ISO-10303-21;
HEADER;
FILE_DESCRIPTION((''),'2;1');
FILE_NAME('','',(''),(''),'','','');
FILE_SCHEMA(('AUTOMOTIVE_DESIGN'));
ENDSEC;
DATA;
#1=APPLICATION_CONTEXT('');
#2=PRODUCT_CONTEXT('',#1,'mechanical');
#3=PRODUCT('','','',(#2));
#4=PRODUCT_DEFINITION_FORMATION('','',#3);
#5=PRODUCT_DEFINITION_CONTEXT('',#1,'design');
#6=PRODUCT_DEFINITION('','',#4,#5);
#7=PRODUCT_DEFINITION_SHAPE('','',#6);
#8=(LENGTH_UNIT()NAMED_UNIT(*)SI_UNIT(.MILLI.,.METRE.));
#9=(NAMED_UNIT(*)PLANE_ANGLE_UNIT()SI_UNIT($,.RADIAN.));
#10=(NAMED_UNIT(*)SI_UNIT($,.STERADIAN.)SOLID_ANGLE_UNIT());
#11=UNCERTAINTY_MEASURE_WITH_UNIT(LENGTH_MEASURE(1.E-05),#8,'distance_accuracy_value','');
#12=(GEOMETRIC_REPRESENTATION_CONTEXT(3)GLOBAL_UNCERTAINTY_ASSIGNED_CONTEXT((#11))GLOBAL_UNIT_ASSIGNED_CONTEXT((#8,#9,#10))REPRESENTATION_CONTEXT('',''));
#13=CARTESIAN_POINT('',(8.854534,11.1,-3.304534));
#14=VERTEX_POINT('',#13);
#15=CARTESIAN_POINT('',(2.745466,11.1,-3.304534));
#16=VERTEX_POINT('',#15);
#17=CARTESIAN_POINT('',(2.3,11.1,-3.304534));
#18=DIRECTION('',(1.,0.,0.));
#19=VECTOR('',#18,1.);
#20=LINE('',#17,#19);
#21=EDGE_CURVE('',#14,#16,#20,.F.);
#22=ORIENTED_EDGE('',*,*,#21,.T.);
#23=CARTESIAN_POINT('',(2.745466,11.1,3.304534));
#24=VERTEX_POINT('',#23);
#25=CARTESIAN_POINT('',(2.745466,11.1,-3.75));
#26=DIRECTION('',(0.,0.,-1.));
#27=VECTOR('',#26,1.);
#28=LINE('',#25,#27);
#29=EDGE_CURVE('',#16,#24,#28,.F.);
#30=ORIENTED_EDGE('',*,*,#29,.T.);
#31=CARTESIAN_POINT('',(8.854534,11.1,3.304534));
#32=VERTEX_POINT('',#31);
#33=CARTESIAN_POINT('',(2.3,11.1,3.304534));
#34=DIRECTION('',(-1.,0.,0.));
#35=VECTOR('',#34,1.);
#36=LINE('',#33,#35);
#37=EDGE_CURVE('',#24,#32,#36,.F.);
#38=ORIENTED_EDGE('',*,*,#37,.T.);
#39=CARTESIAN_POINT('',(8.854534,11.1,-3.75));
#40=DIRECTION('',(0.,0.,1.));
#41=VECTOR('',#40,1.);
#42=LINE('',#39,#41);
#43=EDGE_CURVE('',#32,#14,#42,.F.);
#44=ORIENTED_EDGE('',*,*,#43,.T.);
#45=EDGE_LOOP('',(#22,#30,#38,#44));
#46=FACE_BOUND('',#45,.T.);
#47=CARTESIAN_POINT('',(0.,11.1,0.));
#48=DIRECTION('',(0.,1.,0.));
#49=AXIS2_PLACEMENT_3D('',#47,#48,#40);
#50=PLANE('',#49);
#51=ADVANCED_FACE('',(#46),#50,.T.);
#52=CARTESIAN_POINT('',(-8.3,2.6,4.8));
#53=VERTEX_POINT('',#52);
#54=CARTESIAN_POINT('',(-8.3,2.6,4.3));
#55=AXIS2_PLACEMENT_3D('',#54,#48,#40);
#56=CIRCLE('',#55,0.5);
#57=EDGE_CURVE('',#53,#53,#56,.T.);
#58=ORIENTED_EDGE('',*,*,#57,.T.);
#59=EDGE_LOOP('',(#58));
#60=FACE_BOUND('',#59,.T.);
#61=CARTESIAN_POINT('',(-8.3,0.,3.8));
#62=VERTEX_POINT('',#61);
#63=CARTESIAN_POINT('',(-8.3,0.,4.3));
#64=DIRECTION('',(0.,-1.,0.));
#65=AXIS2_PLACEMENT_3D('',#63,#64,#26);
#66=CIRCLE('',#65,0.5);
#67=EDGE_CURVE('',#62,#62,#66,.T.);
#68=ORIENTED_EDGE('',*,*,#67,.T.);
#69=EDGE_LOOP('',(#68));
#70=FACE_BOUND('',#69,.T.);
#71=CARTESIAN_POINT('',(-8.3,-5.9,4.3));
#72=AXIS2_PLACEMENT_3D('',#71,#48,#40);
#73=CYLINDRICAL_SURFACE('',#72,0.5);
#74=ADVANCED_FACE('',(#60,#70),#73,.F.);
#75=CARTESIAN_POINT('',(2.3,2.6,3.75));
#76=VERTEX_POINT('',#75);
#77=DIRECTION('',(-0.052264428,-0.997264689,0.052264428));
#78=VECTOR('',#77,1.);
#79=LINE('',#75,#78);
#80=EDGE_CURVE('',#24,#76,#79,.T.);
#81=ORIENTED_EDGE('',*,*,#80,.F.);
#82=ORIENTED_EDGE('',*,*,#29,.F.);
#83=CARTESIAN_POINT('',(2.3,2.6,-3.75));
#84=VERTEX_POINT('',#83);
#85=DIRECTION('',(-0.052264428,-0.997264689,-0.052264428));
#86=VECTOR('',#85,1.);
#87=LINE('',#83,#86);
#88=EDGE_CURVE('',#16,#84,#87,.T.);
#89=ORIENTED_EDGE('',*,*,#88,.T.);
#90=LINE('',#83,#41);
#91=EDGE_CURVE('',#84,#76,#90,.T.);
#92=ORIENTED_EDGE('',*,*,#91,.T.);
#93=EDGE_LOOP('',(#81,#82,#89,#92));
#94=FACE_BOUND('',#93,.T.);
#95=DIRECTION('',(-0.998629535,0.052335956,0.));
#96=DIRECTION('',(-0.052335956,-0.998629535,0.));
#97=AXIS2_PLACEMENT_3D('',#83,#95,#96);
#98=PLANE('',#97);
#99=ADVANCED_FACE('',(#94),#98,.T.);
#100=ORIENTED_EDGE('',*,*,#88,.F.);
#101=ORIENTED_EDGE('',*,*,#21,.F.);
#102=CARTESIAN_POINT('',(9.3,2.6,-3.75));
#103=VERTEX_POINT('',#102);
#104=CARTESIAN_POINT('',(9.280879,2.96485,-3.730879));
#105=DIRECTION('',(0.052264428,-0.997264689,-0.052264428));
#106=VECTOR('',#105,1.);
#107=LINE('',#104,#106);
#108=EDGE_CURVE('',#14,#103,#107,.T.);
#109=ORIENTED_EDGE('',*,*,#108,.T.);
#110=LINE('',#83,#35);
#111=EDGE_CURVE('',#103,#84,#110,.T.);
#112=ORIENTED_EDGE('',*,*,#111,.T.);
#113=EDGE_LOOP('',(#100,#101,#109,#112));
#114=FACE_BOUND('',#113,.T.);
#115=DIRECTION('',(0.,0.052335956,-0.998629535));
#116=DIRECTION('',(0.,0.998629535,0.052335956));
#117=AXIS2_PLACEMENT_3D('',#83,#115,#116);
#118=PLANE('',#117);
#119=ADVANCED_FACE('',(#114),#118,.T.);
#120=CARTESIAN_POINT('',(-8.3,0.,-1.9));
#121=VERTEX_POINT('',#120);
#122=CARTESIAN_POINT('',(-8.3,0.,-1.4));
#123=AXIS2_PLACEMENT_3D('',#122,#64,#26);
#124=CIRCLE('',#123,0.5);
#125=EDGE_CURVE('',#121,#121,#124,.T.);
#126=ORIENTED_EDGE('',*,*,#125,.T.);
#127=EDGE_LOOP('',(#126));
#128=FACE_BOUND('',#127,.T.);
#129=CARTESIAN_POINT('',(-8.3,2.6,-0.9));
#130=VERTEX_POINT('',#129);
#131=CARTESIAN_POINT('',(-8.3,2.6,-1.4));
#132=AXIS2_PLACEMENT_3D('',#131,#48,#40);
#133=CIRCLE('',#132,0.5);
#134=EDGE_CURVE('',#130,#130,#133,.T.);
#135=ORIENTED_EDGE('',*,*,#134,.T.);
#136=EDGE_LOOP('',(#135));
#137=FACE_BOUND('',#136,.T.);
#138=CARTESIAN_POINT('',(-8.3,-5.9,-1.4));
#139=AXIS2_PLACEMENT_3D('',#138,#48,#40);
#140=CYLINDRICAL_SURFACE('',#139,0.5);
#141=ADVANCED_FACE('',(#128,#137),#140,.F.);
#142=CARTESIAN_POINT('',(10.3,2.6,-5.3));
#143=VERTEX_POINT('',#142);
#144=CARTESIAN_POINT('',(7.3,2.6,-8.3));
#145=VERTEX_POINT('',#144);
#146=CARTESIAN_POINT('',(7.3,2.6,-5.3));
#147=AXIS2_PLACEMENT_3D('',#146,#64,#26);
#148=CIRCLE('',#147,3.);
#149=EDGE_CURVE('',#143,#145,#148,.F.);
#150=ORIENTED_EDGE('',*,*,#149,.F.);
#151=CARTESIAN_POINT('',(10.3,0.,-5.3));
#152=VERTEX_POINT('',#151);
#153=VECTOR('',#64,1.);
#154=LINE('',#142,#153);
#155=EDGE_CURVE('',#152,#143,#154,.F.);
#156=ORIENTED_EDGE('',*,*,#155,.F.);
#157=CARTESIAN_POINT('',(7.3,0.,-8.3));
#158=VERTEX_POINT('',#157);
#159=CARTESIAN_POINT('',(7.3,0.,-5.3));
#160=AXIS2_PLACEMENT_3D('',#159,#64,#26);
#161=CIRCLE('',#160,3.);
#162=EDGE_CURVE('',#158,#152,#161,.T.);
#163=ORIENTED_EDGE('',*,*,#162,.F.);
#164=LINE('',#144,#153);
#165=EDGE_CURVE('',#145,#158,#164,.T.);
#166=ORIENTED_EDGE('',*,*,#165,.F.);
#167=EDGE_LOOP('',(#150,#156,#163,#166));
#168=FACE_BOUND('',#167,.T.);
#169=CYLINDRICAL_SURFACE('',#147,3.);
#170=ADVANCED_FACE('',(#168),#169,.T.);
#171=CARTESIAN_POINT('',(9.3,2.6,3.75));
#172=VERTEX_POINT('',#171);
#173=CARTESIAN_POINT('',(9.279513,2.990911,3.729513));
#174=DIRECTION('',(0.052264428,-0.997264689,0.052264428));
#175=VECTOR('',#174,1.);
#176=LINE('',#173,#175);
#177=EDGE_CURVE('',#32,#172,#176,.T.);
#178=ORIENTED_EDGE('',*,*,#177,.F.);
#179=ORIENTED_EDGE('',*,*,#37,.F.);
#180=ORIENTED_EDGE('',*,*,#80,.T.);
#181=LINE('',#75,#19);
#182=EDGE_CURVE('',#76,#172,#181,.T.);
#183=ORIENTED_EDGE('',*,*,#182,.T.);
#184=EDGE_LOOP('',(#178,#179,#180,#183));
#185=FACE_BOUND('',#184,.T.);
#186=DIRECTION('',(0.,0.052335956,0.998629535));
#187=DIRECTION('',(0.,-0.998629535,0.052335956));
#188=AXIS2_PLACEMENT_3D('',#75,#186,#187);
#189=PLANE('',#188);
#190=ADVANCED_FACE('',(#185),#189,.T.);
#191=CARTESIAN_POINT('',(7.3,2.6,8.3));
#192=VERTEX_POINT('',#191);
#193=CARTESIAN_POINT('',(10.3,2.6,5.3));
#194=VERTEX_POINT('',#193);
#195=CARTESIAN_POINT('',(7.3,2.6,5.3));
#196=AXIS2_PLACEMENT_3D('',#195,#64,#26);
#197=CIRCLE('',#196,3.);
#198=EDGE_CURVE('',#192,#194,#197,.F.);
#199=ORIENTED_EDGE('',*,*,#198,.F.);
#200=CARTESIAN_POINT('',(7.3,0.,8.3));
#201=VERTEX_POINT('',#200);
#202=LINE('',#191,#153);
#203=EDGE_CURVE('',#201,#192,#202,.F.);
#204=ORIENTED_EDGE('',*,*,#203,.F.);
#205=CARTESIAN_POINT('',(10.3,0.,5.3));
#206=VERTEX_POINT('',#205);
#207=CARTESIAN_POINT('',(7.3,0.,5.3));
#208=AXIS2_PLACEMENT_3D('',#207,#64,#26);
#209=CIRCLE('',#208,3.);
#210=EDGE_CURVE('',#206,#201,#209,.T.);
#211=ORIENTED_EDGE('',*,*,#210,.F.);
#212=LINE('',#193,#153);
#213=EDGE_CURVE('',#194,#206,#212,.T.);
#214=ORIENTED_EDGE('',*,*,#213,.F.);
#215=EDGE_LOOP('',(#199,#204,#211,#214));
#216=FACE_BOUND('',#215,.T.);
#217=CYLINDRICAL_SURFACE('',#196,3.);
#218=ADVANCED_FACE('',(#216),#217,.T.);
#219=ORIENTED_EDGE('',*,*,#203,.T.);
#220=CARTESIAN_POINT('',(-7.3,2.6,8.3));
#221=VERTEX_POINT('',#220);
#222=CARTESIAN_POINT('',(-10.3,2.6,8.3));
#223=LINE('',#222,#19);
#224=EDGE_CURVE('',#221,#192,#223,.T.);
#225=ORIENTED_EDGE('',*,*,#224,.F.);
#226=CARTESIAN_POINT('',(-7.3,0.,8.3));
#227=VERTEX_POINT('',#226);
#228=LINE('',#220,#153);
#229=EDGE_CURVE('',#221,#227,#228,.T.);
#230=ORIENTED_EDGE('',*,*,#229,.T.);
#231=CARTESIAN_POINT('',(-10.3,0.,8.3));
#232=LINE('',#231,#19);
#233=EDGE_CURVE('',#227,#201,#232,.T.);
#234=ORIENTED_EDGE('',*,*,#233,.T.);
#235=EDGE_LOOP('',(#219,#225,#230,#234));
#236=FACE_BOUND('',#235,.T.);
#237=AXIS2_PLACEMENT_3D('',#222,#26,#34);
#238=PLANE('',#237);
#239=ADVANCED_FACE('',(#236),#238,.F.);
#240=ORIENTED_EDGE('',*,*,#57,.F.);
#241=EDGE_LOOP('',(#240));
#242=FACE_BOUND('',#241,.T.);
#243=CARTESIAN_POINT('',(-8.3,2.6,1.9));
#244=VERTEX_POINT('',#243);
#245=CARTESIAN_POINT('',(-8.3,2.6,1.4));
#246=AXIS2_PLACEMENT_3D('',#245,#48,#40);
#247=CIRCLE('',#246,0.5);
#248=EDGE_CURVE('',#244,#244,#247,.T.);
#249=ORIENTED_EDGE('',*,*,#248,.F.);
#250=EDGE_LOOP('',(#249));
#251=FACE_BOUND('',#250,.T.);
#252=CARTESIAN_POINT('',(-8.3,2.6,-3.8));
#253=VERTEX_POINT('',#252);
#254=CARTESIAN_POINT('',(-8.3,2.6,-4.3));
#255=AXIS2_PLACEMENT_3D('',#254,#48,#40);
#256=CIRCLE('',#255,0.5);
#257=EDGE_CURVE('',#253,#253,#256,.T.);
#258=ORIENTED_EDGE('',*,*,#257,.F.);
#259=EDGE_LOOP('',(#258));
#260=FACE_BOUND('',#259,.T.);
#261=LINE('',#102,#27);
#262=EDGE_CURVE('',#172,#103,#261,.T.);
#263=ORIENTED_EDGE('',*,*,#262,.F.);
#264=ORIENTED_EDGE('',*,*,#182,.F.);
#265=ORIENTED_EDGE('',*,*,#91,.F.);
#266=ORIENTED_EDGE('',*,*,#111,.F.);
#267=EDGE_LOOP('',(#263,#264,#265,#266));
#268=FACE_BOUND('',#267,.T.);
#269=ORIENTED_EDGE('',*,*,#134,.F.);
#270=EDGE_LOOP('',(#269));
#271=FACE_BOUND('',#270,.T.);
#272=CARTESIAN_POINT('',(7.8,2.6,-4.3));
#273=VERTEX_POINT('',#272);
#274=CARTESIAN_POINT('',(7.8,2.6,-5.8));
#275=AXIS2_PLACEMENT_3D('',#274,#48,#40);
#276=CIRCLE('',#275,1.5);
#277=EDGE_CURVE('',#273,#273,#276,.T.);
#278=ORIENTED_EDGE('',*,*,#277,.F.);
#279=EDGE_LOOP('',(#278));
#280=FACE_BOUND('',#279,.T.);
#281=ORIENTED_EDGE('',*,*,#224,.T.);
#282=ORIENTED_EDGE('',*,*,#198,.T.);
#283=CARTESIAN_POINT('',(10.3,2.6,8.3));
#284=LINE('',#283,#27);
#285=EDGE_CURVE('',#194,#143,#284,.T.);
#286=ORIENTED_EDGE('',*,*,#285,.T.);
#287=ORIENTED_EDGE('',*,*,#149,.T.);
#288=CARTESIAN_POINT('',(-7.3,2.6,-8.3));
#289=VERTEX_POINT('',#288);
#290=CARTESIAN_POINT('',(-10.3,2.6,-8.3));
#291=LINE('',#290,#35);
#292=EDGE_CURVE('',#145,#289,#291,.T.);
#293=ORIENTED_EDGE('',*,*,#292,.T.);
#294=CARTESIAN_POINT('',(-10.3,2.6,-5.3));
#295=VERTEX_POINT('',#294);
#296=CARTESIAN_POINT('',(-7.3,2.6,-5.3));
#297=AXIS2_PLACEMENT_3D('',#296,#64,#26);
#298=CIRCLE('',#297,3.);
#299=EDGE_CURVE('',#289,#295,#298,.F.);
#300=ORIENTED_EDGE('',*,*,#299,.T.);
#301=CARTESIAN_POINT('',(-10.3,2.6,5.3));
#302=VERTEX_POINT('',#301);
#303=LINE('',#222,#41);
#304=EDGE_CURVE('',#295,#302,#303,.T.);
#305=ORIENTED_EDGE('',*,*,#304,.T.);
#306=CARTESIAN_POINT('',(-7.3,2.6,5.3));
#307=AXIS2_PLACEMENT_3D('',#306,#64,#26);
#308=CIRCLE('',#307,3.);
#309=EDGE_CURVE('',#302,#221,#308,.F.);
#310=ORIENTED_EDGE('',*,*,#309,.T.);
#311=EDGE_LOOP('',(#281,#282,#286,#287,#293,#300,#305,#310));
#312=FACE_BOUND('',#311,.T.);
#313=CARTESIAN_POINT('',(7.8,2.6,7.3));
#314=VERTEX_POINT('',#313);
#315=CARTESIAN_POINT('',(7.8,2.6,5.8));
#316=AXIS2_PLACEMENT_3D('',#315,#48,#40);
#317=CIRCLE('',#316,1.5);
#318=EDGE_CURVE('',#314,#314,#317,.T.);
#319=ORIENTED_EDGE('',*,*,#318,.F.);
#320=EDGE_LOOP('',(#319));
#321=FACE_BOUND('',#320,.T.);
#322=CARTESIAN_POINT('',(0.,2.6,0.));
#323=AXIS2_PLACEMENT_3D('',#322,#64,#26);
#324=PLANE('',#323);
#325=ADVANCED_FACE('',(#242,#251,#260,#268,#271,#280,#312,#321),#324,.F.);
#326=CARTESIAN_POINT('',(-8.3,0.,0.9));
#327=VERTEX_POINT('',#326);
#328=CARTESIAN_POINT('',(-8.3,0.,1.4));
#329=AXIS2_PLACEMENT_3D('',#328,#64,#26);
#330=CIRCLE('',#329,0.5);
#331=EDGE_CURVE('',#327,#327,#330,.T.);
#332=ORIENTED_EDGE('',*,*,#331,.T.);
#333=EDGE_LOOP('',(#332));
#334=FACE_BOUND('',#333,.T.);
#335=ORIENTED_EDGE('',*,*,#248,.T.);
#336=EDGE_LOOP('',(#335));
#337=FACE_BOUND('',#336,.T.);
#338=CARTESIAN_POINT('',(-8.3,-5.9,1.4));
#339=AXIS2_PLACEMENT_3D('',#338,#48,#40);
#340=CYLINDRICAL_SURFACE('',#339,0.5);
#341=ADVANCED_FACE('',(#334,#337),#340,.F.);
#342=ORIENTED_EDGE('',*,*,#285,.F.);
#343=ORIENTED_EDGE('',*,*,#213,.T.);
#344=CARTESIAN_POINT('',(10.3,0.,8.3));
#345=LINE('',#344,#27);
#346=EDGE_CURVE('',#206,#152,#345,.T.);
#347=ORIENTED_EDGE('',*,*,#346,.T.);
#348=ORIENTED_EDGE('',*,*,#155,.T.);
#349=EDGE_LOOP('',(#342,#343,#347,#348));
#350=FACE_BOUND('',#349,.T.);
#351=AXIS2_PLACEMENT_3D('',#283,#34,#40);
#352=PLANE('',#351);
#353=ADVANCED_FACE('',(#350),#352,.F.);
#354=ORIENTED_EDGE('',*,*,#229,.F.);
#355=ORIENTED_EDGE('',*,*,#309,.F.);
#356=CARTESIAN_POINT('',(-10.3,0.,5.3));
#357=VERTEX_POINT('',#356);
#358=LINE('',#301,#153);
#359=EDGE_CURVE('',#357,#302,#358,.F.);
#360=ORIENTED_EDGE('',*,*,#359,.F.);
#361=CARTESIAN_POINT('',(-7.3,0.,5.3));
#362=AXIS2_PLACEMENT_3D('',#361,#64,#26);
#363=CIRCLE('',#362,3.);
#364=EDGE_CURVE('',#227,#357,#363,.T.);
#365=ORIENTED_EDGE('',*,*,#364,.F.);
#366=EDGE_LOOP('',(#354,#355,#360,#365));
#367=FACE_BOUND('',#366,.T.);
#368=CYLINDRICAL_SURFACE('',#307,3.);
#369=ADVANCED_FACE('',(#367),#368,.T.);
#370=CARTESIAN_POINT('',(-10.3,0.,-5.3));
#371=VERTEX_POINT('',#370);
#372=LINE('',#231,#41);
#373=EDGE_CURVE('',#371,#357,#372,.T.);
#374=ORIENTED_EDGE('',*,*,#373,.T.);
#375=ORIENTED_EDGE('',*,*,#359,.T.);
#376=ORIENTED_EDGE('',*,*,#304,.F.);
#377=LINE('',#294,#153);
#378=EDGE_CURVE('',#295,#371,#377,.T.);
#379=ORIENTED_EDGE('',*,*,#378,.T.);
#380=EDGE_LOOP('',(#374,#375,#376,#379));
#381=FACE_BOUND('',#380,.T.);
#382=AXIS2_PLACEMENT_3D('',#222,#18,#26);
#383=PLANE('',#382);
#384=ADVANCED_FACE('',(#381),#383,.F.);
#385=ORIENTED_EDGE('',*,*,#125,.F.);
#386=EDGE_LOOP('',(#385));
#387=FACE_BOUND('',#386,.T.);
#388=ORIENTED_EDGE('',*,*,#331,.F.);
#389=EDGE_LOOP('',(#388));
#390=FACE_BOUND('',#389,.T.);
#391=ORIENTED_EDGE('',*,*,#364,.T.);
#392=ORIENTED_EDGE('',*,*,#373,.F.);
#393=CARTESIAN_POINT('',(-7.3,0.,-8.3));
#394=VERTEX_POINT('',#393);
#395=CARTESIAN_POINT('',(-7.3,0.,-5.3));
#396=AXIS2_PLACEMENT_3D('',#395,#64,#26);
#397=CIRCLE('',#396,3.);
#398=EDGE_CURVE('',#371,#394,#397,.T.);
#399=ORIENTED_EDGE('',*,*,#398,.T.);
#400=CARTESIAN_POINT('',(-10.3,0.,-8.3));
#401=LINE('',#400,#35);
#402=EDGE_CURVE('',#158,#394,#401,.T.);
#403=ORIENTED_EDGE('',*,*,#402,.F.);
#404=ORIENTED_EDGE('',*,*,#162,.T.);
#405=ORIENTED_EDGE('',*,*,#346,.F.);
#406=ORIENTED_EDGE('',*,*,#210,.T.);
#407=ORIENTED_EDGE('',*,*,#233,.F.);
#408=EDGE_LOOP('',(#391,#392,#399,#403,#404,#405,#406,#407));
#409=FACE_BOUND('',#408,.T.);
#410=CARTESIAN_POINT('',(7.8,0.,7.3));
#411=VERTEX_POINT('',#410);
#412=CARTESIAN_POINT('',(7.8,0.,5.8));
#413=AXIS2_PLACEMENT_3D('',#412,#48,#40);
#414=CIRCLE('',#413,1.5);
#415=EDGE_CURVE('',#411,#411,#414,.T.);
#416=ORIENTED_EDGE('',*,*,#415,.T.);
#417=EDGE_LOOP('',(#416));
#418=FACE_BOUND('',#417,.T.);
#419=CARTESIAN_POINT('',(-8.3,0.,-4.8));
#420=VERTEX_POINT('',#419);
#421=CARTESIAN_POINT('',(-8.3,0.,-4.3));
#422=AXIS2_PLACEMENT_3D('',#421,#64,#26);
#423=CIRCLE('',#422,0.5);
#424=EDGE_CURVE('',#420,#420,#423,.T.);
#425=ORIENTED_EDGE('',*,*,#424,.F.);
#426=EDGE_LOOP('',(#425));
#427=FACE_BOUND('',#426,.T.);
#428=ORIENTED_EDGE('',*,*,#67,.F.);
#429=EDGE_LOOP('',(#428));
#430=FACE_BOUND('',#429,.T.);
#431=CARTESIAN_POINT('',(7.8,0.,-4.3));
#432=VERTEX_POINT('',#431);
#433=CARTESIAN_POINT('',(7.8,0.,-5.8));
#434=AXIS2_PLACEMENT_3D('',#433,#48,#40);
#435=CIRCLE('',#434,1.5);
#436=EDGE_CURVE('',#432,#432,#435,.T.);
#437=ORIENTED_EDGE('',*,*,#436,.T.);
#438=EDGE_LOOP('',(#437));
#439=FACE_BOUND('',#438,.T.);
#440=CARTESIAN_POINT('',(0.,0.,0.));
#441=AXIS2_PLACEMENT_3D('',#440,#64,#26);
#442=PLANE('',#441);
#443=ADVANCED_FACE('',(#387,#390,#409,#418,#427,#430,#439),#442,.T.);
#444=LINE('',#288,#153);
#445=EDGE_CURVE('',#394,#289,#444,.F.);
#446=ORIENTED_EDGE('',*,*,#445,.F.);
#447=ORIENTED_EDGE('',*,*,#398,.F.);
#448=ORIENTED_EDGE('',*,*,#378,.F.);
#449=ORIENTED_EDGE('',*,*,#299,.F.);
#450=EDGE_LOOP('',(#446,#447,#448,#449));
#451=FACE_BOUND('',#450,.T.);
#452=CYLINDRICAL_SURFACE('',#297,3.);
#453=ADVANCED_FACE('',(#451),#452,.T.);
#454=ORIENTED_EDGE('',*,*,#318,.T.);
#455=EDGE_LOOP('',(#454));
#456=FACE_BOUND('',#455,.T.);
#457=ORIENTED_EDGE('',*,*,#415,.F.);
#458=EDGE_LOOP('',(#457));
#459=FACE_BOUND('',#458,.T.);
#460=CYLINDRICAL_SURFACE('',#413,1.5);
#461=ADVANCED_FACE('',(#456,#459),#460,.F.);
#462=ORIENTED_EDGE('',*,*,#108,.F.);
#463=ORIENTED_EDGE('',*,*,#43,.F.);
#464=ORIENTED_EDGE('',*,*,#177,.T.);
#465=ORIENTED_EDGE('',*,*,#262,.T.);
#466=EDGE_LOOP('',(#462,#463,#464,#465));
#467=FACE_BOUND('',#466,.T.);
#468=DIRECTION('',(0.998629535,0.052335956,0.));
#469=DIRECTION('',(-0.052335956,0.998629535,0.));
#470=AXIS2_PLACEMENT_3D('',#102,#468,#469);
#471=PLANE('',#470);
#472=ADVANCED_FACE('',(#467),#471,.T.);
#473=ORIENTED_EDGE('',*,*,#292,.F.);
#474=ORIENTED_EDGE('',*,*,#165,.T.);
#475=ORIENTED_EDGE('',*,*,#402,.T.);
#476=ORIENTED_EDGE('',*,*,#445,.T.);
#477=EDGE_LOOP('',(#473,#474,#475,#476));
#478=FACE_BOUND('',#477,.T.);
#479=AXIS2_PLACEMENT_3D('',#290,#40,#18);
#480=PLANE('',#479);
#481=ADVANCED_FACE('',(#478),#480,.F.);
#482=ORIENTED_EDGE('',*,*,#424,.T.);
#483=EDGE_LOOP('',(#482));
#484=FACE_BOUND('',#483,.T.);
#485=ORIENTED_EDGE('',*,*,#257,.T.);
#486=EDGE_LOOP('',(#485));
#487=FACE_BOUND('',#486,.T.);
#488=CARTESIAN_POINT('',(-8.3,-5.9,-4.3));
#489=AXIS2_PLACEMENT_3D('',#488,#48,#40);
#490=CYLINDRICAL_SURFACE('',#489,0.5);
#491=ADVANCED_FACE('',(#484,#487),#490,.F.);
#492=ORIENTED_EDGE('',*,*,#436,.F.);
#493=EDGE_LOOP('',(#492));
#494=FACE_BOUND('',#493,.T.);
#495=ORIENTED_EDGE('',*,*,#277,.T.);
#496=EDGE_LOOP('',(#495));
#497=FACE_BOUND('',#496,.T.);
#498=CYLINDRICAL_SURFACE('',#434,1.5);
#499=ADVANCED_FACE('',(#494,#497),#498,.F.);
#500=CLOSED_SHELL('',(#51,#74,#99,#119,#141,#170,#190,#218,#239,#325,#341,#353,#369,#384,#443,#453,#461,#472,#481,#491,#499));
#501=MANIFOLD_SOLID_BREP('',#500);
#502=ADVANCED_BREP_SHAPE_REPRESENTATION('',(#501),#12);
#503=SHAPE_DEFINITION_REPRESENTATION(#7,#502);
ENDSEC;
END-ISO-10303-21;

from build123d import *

# Parameters (mm, degrees)
SKETCH1_W           = 20.6
SKETCH1_H           = 16.6
BOSS_EXTRUDE1_DEPTH = 2.6
FILLET1_R           = 3
SKETCH2_R           = 1.5
CUT_EXTRUDE1_DEPTH  = 2.6
SKETCH3_W           = 7
SKETCH3_H           = 7.5
BOSS_EXTRUDE2_DEPTH = 8.5
BOSS_EXTRUDE2_TAPER = 3
SKETCH4_R           = 0.5
CUT_EXTRUDE2_DEPTH  = 8.5


with BuildPart() as part:
    # Sketch1 → Boss-Extrude1 (new body)
    with BuildSketch(Plane(origin=(0, 0, 0), x_dir=(1, 0, 0), z_dir=(0, 1, 0))):
        Rectangle(SKETCH1_W, SKETCH1_H)
    extrude(amount=BOSS_EXTRUDE1_DEPTH)

    # Fillet1
    fillet1_edges = [part.edges().sort_by_distance(p)[0] for p in [
        (10.3, 1.3, 8.3),
        (-10.3, 1.3, 8.3),
        (-10.3, 1.3, -8.3),
        (10.3, 1.3, -8.3),
    ]]
    fillet(fillet1_edges, radius=FILLET1_R)

    # Sketch2 → Cut-Extrude1 (cut)
    with BuildSketch(Plane(origin=(0, 2.6, 0), x_dir=(1, 0, 0), z_dir=(0, 1, 0))):
        with Locations(Location((7.8, 5.8, 0), (0, 0, 270))):
            Circle(SKETCH2_R)
        with Locations(Location((7.8, -5.8, 0), (0, 0, 270))):
            Circle(SKETCH2_R)
    extrude(amount=-CUT_EXTRUDE1_DEPTH, mode=Mode.SUBTRACT)

    # Sketch3 → Boss-Extrude2 (add)
    with BuildSketch(Plane(origin=(0, 2.6, 0), x_dir=(1, 0, 0), z_dir=(0, 1, 0))):
        with Locations((5.8, 0)):
            Rectangle(SKETCH3_W, SKETCH3_H)
    extrude(amount=BOSS_EXTRUDE2_DEPTH, taper=BOSS_EXTRUDE2_TAPER)

    # Sketch4 → Cut-Extrude2 (cut)
    with BuildSketch(Plane(origin=(0, 2.6, 0), x_dir=(1, 0, 0), z_dir=(0, 1, 0))):
        with Locations(Location((-8.3, 4.3, 0), (0, 0, 270))):
            Circle(SKETCH4_R)
        with Locations(Location((-8.3, -4.3, 0), (0, 0, 270))):
            Circle(SKETCH4_R)
        with Locations(Location((-8.3, -1.4, 0), (0, 0, 270))):
            Circle(SKETCH4_R)
        with Locations(Location((-8.3, 1.4, 0), (0, 0, 270))):
            Circle(SKETCH4_R)
    extrude(amount=-CUT_EXTRUDE2_DEPTH, mode=Mode.SUBTRACT)


solid = part.part
